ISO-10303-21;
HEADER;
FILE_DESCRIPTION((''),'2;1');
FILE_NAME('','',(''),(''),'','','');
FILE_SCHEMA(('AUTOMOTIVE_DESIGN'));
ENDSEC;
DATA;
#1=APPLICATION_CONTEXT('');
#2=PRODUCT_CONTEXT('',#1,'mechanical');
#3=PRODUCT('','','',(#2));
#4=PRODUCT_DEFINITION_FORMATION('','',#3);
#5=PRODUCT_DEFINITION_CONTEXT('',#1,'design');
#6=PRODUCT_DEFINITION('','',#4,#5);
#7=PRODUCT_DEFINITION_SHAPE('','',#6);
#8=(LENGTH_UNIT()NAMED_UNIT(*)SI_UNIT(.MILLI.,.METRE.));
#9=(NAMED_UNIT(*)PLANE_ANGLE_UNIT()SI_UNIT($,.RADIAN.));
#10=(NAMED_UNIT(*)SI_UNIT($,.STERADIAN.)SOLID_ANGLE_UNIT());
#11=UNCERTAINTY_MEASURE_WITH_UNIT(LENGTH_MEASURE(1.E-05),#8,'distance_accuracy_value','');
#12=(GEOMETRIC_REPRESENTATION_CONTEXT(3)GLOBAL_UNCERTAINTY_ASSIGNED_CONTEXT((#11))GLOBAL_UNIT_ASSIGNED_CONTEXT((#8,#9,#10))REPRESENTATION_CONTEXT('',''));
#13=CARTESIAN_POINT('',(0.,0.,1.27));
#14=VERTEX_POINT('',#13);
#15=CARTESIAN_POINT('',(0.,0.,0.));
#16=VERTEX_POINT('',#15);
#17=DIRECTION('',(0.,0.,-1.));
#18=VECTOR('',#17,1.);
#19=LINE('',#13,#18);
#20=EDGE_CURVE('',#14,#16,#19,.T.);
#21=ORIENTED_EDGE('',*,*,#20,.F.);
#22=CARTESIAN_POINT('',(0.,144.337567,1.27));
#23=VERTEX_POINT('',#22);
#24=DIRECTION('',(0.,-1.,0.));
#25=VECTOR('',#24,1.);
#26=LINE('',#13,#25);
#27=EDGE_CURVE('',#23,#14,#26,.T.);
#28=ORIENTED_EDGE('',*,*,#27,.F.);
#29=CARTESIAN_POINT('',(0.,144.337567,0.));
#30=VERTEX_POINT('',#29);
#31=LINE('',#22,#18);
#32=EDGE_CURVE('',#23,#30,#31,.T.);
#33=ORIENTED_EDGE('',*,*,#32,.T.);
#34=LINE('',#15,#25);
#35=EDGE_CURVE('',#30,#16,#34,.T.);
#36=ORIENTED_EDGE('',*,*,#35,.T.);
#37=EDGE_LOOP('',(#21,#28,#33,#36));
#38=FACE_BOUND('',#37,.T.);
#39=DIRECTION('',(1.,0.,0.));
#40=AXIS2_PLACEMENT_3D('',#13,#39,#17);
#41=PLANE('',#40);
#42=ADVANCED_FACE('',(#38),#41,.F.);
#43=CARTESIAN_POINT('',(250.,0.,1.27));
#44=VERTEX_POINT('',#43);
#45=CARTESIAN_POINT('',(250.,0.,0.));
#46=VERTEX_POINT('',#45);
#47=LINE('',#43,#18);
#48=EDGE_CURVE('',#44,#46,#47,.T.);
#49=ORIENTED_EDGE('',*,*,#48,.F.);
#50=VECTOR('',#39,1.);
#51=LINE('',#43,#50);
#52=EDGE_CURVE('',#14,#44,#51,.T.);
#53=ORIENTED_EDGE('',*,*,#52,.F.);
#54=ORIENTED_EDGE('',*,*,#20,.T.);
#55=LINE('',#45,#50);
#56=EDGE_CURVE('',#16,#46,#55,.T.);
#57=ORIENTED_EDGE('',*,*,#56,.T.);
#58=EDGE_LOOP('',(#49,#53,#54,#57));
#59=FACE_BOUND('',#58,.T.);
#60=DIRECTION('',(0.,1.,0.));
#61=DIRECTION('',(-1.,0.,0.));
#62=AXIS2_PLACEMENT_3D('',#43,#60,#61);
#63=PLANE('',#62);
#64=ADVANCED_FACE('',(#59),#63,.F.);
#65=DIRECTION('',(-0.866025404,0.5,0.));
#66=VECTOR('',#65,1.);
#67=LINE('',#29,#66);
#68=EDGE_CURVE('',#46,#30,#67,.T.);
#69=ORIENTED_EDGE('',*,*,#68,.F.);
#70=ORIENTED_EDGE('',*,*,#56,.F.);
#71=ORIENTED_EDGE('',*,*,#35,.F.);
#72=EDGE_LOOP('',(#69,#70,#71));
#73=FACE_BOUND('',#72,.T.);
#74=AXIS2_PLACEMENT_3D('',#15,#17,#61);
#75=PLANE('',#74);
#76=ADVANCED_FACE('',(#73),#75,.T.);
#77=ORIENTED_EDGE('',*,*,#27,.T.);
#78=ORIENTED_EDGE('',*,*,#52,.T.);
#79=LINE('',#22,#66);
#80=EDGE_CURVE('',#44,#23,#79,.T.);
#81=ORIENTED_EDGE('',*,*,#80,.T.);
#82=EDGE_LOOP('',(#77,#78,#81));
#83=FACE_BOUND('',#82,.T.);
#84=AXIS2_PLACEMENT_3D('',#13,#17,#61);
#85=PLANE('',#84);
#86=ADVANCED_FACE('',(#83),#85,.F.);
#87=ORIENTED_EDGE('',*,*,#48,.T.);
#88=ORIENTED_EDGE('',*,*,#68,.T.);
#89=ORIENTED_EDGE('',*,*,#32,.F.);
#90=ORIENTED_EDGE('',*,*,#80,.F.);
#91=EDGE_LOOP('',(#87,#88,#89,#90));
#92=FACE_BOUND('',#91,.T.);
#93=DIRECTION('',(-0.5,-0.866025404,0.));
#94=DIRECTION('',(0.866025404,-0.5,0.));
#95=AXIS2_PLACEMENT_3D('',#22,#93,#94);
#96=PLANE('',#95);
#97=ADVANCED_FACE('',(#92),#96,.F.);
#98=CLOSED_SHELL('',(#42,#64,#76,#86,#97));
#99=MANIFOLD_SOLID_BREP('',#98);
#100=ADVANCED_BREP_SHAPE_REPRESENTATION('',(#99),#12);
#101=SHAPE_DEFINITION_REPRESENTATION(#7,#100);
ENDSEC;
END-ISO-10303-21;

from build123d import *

# Parameters (mm, degrees)
BOSS_EXTRUDE1_DEPTH = 1.27


with BuildPart() as part:
    # Sketch1 → Boss-Extrude1 (new body)
    with BuildSketch(Plane.XY):
        Polygon((0, 0), (0, 144.337567297), (250, 0), align=None)
    extrude(amount=BOSS_EXTRUDE1_DEPTH)


solid = part.part
